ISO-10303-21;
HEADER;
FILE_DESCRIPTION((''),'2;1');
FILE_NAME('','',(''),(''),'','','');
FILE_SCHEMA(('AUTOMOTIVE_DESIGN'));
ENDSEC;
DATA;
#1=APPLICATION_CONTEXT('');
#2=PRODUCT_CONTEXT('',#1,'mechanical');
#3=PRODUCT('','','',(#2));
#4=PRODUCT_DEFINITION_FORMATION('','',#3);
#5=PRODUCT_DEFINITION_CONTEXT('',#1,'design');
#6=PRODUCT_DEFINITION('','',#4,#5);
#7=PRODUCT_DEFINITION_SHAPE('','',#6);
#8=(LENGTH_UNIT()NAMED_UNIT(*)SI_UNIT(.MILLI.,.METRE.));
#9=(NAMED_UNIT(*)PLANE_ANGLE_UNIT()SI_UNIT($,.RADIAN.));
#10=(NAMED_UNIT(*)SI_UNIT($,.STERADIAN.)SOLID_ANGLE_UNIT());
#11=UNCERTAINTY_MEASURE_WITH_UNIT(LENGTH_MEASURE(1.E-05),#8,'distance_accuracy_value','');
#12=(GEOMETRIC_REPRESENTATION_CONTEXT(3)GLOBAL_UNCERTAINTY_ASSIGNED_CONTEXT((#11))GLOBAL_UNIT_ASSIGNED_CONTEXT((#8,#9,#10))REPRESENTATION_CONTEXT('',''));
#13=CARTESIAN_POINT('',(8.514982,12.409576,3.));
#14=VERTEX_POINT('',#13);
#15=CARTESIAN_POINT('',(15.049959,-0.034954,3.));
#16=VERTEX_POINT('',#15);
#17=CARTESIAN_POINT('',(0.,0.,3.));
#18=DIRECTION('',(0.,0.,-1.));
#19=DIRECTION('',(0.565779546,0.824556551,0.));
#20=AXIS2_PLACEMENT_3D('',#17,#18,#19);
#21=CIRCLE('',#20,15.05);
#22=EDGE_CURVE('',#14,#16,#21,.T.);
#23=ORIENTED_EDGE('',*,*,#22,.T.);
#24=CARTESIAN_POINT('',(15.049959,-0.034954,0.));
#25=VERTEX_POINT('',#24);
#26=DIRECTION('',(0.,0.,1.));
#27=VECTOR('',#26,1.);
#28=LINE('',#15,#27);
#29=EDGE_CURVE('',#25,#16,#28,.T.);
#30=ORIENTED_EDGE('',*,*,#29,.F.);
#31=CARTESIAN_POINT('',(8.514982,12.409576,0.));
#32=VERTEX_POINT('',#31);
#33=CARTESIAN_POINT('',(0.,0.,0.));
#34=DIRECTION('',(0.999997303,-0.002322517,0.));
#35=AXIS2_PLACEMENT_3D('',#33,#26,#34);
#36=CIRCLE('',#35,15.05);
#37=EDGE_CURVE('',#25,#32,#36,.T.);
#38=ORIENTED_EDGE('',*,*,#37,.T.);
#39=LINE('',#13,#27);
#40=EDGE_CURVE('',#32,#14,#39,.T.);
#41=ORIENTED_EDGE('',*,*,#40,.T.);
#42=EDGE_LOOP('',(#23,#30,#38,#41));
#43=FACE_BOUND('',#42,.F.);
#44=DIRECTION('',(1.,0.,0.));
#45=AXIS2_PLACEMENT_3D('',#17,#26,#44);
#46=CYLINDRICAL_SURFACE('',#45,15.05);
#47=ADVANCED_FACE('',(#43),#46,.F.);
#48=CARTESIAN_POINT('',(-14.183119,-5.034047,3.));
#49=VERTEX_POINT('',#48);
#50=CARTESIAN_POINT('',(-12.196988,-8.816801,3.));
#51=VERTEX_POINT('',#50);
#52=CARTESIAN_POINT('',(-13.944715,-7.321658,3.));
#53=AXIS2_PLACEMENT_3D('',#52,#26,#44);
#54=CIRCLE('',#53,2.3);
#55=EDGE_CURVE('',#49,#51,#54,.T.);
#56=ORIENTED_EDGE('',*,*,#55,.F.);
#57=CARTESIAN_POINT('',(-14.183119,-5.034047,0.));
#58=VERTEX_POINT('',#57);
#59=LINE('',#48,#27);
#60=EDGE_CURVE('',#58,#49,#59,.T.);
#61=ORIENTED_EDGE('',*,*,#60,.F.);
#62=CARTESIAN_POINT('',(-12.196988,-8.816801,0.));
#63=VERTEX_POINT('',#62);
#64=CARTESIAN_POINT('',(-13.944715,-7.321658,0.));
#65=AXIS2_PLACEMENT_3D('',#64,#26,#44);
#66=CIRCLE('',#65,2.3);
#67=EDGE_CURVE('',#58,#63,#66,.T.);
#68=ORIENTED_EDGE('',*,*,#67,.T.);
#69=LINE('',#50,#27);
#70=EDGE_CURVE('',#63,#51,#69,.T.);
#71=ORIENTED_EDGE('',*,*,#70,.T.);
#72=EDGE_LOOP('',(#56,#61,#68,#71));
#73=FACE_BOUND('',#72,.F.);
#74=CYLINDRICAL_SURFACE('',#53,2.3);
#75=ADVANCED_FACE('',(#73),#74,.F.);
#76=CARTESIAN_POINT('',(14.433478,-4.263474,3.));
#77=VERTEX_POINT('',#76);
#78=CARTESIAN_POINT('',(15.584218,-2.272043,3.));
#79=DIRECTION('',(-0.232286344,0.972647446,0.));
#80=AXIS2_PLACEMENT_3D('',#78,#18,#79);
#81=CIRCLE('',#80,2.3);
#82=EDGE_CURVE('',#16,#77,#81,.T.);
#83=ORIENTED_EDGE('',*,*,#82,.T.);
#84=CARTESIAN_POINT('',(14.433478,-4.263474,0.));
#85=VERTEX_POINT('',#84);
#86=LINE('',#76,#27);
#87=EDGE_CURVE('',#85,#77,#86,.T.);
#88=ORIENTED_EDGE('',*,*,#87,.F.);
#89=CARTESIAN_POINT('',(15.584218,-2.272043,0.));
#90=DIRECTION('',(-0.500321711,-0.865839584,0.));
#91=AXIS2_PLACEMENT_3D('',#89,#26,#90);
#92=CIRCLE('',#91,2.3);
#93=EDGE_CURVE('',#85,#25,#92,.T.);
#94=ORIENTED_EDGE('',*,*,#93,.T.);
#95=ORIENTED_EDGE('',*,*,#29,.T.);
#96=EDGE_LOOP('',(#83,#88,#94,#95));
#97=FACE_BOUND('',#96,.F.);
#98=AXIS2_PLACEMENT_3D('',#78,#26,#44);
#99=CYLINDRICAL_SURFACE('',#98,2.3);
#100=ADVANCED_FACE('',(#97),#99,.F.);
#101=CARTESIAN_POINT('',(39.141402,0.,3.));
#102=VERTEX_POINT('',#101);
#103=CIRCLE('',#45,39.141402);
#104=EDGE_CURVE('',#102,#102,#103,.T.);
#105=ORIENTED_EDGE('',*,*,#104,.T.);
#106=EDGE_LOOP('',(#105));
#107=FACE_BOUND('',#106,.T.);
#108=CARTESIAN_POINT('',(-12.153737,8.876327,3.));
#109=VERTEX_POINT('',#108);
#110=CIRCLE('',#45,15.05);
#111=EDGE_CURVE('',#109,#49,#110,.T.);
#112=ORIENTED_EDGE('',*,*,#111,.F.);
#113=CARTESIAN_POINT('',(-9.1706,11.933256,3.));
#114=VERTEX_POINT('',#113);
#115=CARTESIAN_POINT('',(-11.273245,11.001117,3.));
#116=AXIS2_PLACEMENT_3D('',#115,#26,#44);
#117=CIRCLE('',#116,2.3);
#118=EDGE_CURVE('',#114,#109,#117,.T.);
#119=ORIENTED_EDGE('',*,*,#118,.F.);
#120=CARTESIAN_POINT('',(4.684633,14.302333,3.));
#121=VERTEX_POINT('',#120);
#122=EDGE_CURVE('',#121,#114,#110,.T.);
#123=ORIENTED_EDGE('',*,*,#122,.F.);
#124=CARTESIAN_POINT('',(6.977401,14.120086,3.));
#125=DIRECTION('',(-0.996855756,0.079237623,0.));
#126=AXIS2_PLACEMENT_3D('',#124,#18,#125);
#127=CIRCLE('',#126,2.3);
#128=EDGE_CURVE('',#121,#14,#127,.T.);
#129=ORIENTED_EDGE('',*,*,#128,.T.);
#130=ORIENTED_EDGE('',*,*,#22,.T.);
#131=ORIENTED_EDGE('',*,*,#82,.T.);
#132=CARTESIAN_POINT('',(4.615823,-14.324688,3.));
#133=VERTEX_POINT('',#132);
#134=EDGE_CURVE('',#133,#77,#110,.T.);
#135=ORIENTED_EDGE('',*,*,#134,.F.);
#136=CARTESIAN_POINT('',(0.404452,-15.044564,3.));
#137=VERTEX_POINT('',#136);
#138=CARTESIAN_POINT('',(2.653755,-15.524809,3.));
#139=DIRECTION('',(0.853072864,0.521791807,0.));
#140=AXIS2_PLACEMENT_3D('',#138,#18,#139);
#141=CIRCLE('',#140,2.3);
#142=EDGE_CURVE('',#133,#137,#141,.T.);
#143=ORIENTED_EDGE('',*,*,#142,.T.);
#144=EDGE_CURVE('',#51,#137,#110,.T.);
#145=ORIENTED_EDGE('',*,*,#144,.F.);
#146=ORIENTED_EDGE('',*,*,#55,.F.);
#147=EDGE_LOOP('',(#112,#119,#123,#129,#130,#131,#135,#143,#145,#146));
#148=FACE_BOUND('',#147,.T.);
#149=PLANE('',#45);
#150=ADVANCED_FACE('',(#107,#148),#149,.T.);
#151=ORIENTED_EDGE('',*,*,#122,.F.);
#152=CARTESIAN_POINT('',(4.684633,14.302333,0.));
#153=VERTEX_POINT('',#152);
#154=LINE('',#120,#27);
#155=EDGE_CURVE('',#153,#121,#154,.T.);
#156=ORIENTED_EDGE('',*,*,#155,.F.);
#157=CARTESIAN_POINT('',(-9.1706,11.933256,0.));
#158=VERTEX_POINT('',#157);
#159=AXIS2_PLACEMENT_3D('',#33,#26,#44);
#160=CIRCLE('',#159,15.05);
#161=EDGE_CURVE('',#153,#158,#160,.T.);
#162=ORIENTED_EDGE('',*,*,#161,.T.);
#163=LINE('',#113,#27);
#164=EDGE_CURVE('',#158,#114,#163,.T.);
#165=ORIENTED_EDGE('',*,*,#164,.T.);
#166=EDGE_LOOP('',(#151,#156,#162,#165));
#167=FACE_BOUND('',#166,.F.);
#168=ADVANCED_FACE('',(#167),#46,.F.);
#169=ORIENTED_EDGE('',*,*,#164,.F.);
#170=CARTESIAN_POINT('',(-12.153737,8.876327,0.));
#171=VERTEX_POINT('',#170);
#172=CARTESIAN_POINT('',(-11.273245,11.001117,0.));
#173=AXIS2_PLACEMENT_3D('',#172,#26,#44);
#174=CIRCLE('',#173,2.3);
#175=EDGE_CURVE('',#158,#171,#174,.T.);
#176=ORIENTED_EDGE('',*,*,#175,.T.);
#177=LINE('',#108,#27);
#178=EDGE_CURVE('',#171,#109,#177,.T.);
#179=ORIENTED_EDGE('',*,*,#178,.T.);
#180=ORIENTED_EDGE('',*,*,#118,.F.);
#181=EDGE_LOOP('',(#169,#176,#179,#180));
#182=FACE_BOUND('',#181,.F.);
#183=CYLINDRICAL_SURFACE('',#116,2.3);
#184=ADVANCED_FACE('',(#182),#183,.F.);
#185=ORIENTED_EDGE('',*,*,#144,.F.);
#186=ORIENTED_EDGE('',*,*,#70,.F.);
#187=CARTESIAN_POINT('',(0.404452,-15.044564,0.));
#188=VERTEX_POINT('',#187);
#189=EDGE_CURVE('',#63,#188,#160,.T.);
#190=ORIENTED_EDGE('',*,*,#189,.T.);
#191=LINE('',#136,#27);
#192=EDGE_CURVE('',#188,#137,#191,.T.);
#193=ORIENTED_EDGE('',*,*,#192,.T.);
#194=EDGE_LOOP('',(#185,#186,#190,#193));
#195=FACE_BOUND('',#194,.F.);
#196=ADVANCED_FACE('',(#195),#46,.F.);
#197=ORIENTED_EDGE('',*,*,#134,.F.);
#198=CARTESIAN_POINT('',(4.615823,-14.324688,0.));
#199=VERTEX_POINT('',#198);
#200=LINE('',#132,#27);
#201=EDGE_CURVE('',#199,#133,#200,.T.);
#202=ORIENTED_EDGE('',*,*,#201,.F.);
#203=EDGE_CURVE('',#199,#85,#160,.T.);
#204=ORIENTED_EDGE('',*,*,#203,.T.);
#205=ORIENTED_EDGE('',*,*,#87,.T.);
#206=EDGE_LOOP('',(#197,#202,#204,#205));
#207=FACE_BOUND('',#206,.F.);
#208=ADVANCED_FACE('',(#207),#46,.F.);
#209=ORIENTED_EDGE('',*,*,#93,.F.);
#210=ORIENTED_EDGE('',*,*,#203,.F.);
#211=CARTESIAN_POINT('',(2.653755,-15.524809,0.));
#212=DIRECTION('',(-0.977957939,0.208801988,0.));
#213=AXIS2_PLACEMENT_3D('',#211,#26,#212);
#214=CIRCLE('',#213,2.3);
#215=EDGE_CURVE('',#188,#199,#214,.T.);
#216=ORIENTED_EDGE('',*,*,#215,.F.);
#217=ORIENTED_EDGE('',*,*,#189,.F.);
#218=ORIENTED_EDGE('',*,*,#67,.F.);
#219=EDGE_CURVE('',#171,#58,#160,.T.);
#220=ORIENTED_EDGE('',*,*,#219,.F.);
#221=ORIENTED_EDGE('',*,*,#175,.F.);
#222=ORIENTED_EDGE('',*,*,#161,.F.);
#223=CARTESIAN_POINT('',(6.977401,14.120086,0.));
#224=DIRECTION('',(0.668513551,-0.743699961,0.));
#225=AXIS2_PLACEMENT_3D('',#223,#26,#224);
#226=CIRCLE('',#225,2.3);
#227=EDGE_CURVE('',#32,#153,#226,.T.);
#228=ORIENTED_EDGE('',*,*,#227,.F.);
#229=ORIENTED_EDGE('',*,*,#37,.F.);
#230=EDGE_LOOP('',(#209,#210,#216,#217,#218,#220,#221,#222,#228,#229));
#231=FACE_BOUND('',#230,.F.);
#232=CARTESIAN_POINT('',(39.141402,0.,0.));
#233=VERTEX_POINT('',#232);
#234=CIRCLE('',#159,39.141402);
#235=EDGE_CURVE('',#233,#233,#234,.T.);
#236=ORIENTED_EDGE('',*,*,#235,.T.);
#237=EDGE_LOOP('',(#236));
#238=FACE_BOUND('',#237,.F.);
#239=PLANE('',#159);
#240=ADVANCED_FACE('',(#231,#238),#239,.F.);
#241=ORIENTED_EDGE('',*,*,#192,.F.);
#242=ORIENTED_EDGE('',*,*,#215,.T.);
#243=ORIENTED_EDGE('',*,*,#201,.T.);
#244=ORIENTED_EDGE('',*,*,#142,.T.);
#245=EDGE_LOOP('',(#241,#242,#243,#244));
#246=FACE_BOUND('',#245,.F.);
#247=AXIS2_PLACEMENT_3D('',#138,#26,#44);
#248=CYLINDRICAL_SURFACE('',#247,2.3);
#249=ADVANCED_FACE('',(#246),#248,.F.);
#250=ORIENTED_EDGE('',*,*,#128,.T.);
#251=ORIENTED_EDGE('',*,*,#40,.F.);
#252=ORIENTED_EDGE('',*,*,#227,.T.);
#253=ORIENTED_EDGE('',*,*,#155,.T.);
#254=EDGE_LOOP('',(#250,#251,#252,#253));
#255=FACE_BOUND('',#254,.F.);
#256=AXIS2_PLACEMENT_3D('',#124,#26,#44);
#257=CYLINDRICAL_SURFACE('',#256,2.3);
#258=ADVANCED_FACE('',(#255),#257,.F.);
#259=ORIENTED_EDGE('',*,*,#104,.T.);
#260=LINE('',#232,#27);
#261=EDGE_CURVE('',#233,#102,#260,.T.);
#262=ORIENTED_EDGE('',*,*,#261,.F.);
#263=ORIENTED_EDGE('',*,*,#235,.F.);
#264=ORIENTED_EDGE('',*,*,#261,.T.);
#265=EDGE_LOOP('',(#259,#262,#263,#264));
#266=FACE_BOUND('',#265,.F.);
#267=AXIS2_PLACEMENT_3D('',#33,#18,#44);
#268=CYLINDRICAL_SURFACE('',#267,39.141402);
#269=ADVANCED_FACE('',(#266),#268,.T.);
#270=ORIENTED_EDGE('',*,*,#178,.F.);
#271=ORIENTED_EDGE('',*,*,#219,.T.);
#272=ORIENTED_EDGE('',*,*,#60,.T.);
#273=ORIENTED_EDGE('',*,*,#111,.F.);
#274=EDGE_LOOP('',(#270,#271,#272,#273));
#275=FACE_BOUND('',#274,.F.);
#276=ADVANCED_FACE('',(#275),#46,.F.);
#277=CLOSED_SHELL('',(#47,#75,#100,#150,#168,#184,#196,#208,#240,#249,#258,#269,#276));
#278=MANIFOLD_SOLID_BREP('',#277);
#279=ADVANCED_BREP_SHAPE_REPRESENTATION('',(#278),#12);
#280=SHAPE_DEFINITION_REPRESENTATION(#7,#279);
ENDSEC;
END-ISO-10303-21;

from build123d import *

# Parameters (mm, degrees)
F0_R     = 39.141402
F1_DEPTH = 3
F2_R     = 15.05
F3_DEPTH = 3
F5_R     = 2.3
F6_DEPTH = 3


with BuildPart() as f1:
    # F0 (on Top) → F1 (new body)
    with BuildSketch(Plane.XY):
        Circle(F0_R)
    extrude(amount=F1_DEPTH)

    # F2 (on face) → F3 (cut)
    with BuildSketch(Plane.XY.offset(3)):
        Circle(F2_R)
    extrude(amount=-F3_DEPTH, mode=Mode.SUBTRACT)

    # F5 (on face) → F6 (cut)
    with BuildSketch(Plane.XY.offset(3)):
        with Locations((15.584218, -2.272043)):
            Circle(F5_R)
        with Locations((2.653755, -15.524809)):
            Circle(F5_R)
        with Locations((-13.944715, -7.321658)):
            Circle(F5_R)
        with Locations((-11.273245, 11.001117)):
            Circle(F5_R)
        with Locations((6.977401, 14.120086)):
            Circle(F5_R)
    extrude(amount=-F6_DEPTH, mode=Mode.SUBTRACT)


solid = f1.part
